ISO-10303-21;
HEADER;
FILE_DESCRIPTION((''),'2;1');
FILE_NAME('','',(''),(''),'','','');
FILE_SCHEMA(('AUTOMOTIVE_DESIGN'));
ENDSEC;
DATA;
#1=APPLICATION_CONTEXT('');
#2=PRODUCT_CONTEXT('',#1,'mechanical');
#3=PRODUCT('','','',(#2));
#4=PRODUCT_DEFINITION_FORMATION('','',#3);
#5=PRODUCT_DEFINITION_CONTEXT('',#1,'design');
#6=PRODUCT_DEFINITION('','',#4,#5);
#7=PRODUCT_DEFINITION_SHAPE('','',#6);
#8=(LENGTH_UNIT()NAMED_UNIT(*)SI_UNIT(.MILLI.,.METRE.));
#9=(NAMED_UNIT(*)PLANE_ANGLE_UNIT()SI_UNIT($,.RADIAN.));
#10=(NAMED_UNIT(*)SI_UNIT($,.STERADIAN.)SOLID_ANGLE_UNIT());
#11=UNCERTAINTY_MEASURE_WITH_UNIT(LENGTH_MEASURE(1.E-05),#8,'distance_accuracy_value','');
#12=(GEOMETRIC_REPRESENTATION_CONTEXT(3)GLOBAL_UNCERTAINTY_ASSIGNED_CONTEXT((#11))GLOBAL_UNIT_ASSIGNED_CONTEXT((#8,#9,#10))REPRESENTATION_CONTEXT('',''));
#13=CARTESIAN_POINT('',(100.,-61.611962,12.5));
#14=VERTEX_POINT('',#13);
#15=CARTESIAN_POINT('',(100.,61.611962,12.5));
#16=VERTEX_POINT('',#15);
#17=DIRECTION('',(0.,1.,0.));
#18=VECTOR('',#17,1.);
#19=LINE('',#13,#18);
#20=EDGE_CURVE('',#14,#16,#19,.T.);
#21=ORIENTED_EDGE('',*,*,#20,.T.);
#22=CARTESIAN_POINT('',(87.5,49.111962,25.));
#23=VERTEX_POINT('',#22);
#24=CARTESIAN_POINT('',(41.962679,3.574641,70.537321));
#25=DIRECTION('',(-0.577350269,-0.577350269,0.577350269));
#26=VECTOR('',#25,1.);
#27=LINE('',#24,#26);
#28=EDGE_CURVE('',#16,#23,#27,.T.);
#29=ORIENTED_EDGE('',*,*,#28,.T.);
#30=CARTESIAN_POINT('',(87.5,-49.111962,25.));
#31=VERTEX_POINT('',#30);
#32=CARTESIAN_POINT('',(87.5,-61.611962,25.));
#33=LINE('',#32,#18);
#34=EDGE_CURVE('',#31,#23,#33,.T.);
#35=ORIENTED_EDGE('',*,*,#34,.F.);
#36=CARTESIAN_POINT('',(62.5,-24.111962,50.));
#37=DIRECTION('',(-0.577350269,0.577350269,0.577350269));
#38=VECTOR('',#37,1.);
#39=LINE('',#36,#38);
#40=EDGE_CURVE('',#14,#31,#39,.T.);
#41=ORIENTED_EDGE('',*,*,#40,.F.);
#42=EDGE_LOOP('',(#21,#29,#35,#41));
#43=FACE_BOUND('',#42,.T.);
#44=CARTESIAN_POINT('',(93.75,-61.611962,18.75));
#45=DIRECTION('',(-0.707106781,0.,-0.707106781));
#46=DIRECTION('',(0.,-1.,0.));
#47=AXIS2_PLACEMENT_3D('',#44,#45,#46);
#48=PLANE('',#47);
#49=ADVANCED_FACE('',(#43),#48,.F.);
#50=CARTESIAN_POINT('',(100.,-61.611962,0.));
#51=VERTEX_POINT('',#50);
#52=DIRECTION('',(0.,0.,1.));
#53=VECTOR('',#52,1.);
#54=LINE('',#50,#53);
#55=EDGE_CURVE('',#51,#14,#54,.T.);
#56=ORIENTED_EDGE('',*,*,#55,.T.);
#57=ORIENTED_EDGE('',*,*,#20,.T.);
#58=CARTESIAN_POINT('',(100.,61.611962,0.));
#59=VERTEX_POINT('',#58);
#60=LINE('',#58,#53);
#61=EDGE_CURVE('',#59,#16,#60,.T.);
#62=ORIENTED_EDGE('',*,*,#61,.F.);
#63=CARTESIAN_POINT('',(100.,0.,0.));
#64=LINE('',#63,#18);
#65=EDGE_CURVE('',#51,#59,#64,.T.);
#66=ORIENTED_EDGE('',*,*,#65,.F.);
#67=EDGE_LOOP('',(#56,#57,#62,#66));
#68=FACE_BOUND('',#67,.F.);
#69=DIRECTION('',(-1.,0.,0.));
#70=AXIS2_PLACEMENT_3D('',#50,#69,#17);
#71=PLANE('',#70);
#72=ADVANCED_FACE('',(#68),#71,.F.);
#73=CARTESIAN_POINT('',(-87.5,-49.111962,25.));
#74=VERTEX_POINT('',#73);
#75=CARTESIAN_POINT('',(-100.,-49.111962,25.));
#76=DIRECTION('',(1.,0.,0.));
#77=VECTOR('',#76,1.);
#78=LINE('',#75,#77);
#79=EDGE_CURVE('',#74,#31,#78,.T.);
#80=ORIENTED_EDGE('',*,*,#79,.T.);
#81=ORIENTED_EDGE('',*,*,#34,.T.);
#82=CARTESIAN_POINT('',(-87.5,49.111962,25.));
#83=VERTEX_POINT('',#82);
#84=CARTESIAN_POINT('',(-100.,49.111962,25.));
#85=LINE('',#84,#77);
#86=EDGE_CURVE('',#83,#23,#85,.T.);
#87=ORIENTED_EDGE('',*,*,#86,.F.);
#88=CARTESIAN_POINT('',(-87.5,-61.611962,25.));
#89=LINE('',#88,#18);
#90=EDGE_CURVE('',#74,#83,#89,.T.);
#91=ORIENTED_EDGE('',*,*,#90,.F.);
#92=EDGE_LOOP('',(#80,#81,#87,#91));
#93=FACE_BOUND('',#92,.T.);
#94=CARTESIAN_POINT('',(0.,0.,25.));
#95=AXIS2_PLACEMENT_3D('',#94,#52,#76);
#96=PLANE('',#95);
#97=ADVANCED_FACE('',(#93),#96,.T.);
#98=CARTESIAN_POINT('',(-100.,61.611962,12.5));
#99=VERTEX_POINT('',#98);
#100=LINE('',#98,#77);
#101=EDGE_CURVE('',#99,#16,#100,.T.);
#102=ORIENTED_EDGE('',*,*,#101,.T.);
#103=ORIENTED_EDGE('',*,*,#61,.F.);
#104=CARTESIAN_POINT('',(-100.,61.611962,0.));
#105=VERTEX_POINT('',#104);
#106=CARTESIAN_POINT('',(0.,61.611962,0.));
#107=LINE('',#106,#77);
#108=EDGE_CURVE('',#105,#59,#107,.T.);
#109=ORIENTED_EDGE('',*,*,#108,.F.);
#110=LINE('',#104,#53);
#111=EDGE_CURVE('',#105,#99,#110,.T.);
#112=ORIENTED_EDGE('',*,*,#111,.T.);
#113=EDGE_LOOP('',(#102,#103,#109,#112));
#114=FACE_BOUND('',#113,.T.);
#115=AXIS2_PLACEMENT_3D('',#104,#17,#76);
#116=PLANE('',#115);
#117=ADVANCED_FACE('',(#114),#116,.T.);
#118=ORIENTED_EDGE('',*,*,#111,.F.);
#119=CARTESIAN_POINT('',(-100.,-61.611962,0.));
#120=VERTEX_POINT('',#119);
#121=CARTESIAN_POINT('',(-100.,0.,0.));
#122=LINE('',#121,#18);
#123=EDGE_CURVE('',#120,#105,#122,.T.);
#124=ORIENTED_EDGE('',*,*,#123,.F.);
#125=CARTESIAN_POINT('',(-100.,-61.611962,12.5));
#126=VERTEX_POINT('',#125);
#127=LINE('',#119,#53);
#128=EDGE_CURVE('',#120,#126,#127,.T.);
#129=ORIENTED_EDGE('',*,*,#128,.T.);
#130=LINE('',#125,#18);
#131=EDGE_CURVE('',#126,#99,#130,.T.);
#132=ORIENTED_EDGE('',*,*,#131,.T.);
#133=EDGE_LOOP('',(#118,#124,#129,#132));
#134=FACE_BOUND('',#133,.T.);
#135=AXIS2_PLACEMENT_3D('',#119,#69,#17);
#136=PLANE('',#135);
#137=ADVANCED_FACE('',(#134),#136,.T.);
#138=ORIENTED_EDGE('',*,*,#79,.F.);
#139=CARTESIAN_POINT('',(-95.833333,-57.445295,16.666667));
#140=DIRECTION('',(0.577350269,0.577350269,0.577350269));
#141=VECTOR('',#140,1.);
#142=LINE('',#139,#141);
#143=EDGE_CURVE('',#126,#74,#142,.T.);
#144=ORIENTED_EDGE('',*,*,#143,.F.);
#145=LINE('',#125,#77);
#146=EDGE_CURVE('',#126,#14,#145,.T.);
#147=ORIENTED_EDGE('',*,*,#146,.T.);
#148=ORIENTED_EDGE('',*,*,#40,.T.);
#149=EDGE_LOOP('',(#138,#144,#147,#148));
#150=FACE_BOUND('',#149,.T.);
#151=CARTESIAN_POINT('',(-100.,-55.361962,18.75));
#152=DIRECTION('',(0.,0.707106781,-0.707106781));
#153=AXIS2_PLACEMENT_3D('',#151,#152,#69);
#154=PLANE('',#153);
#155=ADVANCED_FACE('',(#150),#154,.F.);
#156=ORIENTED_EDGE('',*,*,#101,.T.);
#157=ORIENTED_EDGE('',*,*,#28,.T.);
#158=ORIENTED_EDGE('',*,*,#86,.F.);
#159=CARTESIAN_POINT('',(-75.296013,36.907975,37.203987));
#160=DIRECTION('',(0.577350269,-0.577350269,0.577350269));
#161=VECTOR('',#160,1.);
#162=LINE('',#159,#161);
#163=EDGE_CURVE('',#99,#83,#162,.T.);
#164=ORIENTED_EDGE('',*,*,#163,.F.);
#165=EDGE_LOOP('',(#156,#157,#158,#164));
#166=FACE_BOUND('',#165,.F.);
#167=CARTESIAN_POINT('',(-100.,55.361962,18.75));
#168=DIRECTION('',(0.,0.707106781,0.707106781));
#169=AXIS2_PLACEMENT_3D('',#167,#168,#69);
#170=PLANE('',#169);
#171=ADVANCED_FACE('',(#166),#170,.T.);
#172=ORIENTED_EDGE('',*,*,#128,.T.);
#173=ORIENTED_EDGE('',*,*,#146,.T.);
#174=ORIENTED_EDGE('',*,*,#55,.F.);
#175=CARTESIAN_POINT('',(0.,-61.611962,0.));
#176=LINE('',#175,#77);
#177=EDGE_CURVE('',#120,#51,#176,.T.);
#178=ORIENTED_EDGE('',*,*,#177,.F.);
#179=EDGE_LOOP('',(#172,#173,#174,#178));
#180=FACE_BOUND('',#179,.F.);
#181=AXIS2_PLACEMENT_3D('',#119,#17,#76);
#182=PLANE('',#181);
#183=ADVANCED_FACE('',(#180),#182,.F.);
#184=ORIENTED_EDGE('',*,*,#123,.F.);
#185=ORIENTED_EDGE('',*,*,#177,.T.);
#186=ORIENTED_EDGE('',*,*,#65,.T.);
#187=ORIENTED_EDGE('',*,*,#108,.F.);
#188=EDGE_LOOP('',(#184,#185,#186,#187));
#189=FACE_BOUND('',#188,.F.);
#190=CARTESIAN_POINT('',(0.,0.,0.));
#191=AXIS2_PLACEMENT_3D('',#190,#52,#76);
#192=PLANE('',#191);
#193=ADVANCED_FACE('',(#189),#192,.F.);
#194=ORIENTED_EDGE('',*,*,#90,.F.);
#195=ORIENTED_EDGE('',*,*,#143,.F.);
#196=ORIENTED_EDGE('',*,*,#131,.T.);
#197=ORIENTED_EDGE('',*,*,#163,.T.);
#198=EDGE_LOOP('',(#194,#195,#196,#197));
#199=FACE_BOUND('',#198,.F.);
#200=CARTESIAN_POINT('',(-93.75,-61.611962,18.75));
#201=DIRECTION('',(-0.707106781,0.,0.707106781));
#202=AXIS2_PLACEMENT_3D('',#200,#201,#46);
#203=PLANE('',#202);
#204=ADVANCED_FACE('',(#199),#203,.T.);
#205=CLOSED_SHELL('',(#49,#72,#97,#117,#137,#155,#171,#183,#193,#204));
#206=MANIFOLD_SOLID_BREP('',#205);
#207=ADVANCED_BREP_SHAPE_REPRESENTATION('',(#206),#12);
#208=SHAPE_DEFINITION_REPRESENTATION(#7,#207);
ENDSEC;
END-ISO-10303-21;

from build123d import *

# Parameters (mm, degrees)
F0_W     = 200
F0_H     = 123.223924
F1_DEPTH = 25
F2_SIZE  = 12.5


with BuildPart() as f1:
    # F0 (on Top) → F1 (new body)
    with BuildSketch(Plane.XY):
        Rectangle(F0_W, F0_H)
    extrude(amount=F1_DEPTH)

    # F2
    f2_edges = [f1.edges().sort_by_distance(p)[0] for p in [
        (0, -61.611962, 25),
        (-100, 0, 25),
        (0, 61.611962, 25),
        (100, 0, 25),
    ]]
    chamfer(f2_edges, length=F2_SIZE)


solid = f1.part
